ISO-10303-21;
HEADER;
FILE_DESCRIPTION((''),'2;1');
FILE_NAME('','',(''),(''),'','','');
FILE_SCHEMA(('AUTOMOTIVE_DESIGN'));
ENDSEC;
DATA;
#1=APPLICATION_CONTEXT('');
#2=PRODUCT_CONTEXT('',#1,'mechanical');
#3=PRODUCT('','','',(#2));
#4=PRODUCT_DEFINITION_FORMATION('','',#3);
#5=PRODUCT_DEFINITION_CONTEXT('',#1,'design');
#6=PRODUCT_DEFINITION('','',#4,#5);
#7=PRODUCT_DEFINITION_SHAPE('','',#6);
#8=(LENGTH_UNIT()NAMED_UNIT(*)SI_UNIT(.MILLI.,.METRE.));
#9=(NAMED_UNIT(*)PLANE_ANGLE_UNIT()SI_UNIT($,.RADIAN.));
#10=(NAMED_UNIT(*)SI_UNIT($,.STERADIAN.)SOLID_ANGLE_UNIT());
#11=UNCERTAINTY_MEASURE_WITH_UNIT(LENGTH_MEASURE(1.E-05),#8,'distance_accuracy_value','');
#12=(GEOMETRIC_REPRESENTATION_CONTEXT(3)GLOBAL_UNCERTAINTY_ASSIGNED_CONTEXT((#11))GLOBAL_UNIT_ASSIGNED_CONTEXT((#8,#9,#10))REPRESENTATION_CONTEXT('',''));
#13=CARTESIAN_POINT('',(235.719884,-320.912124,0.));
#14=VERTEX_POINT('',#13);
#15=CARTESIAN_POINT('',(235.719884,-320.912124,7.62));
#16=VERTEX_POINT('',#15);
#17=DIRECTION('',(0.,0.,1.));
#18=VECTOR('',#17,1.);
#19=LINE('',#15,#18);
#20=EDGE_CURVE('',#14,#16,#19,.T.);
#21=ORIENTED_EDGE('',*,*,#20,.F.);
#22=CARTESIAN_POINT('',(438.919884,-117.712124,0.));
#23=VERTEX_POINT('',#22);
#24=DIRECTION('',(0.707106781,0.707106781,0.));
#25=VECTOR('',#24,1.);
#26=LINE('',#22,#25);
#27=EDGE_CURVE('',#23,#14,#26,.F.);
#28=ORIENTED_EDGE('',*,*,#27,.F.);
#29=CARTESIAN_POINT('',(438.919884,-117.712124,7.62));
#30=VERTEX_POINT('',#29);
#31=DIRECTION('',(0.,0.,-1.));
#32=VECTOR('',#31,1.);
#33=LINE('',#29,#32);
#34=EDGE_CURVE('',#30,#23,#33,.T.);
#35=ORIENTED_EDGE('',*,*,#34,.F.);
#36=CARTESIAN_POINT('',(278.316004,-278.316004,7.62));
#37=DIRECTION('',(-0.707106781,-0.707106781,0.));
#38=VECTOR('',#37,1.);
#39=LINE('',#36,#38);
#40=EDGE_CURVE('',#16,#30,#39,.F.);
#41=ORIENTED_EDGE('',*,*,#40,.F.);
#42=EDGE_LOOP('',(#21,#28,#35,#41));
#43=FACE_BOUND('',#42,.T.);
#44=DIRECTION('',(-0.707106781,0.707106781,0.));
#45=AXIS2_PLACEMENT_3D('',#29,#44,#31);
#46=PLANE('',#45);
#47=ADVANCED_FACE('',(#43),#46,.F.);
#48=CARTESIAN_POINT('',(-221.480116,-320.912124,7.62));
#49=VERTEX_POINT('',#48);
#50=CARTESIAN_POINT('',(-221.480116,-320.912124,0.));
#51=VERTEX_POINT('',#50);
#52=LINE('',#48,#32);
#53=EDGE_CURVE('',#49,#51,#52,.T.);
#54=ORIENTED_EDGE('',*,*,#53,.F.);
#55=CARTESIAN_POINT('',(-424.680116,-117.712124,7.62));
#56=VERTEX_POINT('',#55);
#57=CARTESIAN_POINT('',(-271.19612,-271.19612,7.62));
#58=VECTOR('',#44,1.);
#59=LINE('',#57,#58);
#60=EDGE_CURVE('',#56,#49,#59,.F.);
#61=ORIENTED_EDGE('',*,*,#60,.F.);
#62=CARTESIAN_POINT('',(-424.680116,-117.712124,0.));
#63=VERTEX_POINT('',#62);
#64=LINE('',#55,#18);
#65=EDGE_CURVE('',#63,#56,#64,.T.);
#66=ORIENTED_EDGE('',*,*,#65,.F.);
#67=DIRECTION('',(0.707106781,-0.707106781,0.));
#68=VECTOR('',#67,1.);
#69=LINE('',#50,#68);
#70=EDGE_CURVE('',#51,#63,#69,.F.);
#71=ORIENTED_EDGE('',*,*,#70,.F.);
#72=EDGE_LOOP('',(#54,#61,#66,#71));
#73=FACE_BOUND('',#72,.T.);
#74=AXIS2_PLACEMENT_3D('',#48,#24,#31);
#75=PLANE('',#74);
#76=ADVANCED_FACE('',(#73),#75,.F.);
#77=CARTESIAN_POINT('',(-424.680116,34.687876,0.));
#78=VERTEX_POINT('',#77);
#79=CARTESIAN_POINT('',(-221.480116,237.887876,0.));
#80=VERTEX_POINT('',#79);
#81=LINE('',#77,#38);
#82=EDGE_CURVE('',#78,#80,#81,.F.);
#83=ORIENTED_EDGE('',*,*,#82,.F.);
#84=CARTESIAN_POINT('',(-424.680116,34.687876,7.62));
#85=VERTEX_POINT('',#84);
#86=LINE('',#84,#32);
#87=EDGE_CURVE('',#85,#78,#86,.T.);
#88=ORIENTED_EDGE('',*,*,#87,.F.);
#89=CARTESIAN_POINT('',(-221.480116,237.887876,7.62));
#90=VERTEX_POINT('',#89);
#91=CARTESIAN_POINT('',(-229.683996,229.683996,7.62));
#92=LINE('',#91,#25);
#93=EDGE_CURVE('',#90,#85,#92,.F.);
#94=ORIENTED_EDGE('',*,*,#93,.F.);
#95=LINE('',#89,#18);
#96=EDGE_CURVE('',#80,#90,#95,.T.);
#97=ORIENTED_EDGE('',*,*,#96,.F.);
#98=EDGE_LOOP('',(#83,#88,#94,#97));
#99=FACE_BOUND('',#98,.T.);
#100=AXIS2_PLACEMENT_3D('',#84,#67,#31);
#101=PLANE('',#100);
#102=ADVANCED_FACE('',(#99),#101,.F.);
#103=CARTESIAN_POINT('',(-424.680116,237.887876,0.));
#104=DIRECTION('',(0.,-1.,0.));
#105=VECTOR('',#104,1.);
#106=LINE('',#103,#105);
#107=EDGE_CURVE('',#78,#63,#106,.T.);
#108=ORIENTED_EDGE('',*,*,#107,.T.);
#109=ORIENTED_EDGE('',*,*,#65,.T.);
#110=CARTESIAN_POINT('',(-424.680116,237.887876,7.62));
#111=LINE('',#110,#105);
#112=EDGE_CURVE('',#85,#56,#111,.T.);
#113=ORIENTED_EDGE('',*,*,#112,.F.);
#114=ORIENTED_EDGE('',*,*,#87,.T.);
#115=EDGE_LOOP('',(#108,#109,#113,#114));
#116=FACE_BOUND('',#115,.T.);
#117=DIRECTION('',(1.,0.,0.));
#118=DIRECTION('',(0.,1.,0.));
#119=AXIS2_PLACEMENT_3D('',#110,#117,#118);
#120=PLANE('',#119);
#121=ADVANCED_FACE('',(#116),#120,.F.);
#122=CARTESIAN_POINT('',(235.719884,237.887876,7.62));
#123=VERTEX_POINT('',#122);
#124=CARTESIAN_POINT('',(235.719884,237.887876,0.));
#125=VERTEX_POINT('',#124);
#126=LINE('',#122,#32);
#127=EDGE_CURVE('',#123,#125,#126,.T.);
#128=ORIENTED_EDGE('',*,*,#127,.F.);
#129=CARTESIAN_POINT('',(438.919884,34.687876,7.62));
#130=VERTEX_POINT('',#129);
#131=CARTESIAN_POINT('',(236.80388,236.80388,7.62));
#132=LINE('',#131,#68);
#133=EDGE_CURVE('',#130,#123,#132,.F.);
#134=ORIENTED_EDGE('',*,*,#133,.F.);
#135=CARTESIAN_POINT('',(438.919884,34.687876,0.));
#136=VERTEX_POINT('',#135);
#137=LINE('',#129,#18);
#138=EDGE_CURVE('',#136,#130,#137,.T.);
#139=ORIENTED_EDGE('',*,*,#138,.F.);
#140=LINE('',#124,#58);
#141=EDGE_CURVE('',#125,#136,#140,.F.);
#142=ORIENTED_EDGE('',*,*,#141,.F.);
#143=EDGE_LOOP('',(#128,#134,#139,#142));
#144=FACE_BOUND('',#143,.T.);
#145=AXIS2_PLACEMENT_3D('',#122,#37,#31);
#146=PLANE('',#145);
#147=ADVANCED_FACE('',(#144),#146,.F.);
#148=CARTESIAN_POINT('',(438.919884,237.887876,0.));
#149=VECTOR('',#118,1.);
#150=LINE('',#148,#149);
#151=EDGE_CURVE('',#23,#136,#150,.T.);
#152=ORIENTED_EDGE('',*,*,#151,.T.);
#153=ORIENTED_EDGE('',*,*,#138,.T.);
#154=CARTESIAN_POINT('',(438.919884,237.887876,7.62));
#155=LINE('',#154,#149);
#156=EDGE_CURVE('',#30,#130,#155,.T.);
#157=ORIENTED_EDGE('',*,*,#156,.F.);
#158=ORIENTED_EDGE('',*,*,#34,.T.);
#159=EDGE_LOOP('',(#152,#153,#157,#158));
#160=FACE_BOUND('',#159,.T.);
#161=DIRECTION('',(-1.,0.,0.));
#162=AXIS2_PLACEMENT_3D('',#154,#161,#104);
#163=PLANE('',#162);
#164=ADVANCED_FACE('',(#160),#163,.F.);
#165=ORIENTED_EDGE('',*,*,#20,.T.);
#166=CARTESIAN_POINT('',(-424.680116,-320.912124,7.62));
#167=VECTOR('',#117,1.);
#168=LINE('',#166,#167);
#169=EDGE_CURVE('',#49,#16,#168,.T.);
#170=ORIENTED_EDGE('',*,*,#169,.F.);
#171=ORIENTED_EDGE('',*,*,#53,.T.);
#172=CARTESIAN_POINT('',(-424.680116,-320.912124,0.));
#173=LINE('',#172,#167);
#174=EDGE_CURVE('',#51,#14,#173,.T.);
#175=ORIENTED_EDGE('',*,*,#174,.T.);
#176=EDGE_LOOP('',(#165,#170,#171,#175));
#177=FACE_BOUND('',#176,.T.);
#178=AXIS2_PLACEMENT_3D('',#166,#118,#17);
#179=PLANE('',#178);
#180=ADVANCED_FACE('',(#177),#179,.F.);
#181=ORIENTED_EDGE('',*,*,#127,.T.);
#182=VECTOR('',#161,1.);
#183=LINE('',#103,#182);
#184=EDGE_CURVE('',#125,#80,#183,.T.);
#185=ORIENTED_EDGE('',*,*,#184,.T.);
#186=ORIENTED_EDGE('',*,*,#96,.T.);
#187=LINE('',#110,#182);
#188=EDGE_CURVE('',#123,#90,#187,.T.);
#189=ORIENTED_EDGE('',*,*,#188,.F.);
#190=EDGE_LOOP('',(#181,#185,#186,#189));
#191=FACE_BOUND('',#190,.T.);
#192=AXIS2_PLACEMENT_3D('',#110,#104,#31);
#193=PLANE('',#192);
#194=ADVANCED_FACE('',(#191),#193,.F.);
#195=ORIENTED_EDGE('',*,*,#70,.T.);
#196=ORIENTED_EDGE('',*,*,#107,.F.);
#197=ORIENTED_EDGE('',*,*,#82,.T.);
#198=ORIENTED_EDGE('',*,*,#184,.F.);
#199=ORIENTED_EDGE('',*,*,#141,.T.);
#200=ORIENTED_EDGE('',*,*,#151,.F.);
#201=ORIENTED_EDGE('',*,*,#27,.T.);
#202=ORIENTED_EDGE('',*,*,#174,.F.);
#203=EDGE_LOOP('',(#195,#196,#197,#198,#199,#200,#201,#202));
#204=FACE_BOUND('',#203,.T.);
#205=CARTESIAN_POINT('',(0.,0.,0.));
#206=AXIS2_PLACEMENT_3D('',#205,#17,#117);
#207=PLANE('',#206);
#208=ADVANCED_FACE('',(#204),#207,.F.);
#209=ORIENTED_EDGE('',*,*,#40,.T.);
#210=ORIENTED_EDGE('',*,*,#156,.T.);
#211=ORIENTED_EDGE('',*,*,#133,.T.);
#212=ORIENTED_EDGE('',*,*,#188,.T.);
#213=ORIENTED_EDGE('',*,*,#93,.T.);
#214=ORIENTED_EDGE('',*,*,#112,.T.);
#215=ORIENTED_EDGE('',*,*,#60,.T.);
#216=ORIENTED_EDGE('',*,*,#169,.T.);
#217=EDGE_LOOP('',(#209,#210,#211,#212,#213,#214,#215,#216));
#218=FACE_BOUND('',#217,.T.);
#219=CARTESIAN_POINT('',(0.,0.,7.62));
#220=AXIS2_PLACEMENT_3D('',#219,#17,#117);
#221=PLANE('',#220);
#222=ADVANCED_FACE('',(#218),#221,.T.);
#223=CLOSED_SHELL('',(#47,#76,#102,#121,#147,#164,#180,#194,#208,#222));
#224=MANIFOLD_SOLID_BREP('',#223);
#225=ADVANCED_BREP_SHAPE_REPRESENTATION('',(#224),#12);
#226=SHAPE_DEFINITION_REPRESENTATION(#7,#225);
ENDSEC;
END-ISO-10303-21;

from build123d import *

# Parameters (mm, degrees)
SKETCH1_W           = 863.6
SKETCH1_H           = 558.8
BOSS_EXTRUDE1_DEPTH = 7.62
CHAMFER1_SIZE       = 203.2
CHAMFER2_SIZE       = 203.2
CHAMFER3_SIZE       = 203.2
CHAMFER4_SIZE       = 203.2


with BuildPart() as part:
    # Sketch1 → Boss-Extrude1 (new body)
    with BuildSketch(Plane.XY):
        with Locations((7.119883608, -41.512124151)):
            Rectangle(SKETCH1_W, SKETCH1_H)
    extrude(amount=BOSS_EXTRUDE1_DEPTH)

    # Chamfer1
    chamfer1_edges = [part.edges().sort_by_distance(p)[0] for p in [
        (-424.680116392, 237.887875849, 3.81),
    ]]
    chamfer(chamfer1_edges, length=CHAMFER1_SIZE)

    # Chamfer2
    chamfer2_edges = [part.edges().sort_by_distance(p)[0] for p in [
        (-424.680116392, -320.912124151, 3.81),
    ]]
    chamfer(chamfer2_edges, length=CHAMFER2_SIZE)

    # Chamfer3
    chamfer3_edges = [part.edges().sort_by_distance(p)[0] for p in [
        (438.919883608, -320.912124151, 3.81),
    ]]
    chamfer(chamfer3_edges, length=CHAMFER3_SIZE)

    # Chamfer4
    chamfer4_edges = [part.edges().sort_by_distance(p)[0] for p in [
        (438.919883608, 237.887875849, 3.81),
    ]]
    chamfer(chamfer4_edges, length=CHAMFER4_SIZE)


solid = part.part
